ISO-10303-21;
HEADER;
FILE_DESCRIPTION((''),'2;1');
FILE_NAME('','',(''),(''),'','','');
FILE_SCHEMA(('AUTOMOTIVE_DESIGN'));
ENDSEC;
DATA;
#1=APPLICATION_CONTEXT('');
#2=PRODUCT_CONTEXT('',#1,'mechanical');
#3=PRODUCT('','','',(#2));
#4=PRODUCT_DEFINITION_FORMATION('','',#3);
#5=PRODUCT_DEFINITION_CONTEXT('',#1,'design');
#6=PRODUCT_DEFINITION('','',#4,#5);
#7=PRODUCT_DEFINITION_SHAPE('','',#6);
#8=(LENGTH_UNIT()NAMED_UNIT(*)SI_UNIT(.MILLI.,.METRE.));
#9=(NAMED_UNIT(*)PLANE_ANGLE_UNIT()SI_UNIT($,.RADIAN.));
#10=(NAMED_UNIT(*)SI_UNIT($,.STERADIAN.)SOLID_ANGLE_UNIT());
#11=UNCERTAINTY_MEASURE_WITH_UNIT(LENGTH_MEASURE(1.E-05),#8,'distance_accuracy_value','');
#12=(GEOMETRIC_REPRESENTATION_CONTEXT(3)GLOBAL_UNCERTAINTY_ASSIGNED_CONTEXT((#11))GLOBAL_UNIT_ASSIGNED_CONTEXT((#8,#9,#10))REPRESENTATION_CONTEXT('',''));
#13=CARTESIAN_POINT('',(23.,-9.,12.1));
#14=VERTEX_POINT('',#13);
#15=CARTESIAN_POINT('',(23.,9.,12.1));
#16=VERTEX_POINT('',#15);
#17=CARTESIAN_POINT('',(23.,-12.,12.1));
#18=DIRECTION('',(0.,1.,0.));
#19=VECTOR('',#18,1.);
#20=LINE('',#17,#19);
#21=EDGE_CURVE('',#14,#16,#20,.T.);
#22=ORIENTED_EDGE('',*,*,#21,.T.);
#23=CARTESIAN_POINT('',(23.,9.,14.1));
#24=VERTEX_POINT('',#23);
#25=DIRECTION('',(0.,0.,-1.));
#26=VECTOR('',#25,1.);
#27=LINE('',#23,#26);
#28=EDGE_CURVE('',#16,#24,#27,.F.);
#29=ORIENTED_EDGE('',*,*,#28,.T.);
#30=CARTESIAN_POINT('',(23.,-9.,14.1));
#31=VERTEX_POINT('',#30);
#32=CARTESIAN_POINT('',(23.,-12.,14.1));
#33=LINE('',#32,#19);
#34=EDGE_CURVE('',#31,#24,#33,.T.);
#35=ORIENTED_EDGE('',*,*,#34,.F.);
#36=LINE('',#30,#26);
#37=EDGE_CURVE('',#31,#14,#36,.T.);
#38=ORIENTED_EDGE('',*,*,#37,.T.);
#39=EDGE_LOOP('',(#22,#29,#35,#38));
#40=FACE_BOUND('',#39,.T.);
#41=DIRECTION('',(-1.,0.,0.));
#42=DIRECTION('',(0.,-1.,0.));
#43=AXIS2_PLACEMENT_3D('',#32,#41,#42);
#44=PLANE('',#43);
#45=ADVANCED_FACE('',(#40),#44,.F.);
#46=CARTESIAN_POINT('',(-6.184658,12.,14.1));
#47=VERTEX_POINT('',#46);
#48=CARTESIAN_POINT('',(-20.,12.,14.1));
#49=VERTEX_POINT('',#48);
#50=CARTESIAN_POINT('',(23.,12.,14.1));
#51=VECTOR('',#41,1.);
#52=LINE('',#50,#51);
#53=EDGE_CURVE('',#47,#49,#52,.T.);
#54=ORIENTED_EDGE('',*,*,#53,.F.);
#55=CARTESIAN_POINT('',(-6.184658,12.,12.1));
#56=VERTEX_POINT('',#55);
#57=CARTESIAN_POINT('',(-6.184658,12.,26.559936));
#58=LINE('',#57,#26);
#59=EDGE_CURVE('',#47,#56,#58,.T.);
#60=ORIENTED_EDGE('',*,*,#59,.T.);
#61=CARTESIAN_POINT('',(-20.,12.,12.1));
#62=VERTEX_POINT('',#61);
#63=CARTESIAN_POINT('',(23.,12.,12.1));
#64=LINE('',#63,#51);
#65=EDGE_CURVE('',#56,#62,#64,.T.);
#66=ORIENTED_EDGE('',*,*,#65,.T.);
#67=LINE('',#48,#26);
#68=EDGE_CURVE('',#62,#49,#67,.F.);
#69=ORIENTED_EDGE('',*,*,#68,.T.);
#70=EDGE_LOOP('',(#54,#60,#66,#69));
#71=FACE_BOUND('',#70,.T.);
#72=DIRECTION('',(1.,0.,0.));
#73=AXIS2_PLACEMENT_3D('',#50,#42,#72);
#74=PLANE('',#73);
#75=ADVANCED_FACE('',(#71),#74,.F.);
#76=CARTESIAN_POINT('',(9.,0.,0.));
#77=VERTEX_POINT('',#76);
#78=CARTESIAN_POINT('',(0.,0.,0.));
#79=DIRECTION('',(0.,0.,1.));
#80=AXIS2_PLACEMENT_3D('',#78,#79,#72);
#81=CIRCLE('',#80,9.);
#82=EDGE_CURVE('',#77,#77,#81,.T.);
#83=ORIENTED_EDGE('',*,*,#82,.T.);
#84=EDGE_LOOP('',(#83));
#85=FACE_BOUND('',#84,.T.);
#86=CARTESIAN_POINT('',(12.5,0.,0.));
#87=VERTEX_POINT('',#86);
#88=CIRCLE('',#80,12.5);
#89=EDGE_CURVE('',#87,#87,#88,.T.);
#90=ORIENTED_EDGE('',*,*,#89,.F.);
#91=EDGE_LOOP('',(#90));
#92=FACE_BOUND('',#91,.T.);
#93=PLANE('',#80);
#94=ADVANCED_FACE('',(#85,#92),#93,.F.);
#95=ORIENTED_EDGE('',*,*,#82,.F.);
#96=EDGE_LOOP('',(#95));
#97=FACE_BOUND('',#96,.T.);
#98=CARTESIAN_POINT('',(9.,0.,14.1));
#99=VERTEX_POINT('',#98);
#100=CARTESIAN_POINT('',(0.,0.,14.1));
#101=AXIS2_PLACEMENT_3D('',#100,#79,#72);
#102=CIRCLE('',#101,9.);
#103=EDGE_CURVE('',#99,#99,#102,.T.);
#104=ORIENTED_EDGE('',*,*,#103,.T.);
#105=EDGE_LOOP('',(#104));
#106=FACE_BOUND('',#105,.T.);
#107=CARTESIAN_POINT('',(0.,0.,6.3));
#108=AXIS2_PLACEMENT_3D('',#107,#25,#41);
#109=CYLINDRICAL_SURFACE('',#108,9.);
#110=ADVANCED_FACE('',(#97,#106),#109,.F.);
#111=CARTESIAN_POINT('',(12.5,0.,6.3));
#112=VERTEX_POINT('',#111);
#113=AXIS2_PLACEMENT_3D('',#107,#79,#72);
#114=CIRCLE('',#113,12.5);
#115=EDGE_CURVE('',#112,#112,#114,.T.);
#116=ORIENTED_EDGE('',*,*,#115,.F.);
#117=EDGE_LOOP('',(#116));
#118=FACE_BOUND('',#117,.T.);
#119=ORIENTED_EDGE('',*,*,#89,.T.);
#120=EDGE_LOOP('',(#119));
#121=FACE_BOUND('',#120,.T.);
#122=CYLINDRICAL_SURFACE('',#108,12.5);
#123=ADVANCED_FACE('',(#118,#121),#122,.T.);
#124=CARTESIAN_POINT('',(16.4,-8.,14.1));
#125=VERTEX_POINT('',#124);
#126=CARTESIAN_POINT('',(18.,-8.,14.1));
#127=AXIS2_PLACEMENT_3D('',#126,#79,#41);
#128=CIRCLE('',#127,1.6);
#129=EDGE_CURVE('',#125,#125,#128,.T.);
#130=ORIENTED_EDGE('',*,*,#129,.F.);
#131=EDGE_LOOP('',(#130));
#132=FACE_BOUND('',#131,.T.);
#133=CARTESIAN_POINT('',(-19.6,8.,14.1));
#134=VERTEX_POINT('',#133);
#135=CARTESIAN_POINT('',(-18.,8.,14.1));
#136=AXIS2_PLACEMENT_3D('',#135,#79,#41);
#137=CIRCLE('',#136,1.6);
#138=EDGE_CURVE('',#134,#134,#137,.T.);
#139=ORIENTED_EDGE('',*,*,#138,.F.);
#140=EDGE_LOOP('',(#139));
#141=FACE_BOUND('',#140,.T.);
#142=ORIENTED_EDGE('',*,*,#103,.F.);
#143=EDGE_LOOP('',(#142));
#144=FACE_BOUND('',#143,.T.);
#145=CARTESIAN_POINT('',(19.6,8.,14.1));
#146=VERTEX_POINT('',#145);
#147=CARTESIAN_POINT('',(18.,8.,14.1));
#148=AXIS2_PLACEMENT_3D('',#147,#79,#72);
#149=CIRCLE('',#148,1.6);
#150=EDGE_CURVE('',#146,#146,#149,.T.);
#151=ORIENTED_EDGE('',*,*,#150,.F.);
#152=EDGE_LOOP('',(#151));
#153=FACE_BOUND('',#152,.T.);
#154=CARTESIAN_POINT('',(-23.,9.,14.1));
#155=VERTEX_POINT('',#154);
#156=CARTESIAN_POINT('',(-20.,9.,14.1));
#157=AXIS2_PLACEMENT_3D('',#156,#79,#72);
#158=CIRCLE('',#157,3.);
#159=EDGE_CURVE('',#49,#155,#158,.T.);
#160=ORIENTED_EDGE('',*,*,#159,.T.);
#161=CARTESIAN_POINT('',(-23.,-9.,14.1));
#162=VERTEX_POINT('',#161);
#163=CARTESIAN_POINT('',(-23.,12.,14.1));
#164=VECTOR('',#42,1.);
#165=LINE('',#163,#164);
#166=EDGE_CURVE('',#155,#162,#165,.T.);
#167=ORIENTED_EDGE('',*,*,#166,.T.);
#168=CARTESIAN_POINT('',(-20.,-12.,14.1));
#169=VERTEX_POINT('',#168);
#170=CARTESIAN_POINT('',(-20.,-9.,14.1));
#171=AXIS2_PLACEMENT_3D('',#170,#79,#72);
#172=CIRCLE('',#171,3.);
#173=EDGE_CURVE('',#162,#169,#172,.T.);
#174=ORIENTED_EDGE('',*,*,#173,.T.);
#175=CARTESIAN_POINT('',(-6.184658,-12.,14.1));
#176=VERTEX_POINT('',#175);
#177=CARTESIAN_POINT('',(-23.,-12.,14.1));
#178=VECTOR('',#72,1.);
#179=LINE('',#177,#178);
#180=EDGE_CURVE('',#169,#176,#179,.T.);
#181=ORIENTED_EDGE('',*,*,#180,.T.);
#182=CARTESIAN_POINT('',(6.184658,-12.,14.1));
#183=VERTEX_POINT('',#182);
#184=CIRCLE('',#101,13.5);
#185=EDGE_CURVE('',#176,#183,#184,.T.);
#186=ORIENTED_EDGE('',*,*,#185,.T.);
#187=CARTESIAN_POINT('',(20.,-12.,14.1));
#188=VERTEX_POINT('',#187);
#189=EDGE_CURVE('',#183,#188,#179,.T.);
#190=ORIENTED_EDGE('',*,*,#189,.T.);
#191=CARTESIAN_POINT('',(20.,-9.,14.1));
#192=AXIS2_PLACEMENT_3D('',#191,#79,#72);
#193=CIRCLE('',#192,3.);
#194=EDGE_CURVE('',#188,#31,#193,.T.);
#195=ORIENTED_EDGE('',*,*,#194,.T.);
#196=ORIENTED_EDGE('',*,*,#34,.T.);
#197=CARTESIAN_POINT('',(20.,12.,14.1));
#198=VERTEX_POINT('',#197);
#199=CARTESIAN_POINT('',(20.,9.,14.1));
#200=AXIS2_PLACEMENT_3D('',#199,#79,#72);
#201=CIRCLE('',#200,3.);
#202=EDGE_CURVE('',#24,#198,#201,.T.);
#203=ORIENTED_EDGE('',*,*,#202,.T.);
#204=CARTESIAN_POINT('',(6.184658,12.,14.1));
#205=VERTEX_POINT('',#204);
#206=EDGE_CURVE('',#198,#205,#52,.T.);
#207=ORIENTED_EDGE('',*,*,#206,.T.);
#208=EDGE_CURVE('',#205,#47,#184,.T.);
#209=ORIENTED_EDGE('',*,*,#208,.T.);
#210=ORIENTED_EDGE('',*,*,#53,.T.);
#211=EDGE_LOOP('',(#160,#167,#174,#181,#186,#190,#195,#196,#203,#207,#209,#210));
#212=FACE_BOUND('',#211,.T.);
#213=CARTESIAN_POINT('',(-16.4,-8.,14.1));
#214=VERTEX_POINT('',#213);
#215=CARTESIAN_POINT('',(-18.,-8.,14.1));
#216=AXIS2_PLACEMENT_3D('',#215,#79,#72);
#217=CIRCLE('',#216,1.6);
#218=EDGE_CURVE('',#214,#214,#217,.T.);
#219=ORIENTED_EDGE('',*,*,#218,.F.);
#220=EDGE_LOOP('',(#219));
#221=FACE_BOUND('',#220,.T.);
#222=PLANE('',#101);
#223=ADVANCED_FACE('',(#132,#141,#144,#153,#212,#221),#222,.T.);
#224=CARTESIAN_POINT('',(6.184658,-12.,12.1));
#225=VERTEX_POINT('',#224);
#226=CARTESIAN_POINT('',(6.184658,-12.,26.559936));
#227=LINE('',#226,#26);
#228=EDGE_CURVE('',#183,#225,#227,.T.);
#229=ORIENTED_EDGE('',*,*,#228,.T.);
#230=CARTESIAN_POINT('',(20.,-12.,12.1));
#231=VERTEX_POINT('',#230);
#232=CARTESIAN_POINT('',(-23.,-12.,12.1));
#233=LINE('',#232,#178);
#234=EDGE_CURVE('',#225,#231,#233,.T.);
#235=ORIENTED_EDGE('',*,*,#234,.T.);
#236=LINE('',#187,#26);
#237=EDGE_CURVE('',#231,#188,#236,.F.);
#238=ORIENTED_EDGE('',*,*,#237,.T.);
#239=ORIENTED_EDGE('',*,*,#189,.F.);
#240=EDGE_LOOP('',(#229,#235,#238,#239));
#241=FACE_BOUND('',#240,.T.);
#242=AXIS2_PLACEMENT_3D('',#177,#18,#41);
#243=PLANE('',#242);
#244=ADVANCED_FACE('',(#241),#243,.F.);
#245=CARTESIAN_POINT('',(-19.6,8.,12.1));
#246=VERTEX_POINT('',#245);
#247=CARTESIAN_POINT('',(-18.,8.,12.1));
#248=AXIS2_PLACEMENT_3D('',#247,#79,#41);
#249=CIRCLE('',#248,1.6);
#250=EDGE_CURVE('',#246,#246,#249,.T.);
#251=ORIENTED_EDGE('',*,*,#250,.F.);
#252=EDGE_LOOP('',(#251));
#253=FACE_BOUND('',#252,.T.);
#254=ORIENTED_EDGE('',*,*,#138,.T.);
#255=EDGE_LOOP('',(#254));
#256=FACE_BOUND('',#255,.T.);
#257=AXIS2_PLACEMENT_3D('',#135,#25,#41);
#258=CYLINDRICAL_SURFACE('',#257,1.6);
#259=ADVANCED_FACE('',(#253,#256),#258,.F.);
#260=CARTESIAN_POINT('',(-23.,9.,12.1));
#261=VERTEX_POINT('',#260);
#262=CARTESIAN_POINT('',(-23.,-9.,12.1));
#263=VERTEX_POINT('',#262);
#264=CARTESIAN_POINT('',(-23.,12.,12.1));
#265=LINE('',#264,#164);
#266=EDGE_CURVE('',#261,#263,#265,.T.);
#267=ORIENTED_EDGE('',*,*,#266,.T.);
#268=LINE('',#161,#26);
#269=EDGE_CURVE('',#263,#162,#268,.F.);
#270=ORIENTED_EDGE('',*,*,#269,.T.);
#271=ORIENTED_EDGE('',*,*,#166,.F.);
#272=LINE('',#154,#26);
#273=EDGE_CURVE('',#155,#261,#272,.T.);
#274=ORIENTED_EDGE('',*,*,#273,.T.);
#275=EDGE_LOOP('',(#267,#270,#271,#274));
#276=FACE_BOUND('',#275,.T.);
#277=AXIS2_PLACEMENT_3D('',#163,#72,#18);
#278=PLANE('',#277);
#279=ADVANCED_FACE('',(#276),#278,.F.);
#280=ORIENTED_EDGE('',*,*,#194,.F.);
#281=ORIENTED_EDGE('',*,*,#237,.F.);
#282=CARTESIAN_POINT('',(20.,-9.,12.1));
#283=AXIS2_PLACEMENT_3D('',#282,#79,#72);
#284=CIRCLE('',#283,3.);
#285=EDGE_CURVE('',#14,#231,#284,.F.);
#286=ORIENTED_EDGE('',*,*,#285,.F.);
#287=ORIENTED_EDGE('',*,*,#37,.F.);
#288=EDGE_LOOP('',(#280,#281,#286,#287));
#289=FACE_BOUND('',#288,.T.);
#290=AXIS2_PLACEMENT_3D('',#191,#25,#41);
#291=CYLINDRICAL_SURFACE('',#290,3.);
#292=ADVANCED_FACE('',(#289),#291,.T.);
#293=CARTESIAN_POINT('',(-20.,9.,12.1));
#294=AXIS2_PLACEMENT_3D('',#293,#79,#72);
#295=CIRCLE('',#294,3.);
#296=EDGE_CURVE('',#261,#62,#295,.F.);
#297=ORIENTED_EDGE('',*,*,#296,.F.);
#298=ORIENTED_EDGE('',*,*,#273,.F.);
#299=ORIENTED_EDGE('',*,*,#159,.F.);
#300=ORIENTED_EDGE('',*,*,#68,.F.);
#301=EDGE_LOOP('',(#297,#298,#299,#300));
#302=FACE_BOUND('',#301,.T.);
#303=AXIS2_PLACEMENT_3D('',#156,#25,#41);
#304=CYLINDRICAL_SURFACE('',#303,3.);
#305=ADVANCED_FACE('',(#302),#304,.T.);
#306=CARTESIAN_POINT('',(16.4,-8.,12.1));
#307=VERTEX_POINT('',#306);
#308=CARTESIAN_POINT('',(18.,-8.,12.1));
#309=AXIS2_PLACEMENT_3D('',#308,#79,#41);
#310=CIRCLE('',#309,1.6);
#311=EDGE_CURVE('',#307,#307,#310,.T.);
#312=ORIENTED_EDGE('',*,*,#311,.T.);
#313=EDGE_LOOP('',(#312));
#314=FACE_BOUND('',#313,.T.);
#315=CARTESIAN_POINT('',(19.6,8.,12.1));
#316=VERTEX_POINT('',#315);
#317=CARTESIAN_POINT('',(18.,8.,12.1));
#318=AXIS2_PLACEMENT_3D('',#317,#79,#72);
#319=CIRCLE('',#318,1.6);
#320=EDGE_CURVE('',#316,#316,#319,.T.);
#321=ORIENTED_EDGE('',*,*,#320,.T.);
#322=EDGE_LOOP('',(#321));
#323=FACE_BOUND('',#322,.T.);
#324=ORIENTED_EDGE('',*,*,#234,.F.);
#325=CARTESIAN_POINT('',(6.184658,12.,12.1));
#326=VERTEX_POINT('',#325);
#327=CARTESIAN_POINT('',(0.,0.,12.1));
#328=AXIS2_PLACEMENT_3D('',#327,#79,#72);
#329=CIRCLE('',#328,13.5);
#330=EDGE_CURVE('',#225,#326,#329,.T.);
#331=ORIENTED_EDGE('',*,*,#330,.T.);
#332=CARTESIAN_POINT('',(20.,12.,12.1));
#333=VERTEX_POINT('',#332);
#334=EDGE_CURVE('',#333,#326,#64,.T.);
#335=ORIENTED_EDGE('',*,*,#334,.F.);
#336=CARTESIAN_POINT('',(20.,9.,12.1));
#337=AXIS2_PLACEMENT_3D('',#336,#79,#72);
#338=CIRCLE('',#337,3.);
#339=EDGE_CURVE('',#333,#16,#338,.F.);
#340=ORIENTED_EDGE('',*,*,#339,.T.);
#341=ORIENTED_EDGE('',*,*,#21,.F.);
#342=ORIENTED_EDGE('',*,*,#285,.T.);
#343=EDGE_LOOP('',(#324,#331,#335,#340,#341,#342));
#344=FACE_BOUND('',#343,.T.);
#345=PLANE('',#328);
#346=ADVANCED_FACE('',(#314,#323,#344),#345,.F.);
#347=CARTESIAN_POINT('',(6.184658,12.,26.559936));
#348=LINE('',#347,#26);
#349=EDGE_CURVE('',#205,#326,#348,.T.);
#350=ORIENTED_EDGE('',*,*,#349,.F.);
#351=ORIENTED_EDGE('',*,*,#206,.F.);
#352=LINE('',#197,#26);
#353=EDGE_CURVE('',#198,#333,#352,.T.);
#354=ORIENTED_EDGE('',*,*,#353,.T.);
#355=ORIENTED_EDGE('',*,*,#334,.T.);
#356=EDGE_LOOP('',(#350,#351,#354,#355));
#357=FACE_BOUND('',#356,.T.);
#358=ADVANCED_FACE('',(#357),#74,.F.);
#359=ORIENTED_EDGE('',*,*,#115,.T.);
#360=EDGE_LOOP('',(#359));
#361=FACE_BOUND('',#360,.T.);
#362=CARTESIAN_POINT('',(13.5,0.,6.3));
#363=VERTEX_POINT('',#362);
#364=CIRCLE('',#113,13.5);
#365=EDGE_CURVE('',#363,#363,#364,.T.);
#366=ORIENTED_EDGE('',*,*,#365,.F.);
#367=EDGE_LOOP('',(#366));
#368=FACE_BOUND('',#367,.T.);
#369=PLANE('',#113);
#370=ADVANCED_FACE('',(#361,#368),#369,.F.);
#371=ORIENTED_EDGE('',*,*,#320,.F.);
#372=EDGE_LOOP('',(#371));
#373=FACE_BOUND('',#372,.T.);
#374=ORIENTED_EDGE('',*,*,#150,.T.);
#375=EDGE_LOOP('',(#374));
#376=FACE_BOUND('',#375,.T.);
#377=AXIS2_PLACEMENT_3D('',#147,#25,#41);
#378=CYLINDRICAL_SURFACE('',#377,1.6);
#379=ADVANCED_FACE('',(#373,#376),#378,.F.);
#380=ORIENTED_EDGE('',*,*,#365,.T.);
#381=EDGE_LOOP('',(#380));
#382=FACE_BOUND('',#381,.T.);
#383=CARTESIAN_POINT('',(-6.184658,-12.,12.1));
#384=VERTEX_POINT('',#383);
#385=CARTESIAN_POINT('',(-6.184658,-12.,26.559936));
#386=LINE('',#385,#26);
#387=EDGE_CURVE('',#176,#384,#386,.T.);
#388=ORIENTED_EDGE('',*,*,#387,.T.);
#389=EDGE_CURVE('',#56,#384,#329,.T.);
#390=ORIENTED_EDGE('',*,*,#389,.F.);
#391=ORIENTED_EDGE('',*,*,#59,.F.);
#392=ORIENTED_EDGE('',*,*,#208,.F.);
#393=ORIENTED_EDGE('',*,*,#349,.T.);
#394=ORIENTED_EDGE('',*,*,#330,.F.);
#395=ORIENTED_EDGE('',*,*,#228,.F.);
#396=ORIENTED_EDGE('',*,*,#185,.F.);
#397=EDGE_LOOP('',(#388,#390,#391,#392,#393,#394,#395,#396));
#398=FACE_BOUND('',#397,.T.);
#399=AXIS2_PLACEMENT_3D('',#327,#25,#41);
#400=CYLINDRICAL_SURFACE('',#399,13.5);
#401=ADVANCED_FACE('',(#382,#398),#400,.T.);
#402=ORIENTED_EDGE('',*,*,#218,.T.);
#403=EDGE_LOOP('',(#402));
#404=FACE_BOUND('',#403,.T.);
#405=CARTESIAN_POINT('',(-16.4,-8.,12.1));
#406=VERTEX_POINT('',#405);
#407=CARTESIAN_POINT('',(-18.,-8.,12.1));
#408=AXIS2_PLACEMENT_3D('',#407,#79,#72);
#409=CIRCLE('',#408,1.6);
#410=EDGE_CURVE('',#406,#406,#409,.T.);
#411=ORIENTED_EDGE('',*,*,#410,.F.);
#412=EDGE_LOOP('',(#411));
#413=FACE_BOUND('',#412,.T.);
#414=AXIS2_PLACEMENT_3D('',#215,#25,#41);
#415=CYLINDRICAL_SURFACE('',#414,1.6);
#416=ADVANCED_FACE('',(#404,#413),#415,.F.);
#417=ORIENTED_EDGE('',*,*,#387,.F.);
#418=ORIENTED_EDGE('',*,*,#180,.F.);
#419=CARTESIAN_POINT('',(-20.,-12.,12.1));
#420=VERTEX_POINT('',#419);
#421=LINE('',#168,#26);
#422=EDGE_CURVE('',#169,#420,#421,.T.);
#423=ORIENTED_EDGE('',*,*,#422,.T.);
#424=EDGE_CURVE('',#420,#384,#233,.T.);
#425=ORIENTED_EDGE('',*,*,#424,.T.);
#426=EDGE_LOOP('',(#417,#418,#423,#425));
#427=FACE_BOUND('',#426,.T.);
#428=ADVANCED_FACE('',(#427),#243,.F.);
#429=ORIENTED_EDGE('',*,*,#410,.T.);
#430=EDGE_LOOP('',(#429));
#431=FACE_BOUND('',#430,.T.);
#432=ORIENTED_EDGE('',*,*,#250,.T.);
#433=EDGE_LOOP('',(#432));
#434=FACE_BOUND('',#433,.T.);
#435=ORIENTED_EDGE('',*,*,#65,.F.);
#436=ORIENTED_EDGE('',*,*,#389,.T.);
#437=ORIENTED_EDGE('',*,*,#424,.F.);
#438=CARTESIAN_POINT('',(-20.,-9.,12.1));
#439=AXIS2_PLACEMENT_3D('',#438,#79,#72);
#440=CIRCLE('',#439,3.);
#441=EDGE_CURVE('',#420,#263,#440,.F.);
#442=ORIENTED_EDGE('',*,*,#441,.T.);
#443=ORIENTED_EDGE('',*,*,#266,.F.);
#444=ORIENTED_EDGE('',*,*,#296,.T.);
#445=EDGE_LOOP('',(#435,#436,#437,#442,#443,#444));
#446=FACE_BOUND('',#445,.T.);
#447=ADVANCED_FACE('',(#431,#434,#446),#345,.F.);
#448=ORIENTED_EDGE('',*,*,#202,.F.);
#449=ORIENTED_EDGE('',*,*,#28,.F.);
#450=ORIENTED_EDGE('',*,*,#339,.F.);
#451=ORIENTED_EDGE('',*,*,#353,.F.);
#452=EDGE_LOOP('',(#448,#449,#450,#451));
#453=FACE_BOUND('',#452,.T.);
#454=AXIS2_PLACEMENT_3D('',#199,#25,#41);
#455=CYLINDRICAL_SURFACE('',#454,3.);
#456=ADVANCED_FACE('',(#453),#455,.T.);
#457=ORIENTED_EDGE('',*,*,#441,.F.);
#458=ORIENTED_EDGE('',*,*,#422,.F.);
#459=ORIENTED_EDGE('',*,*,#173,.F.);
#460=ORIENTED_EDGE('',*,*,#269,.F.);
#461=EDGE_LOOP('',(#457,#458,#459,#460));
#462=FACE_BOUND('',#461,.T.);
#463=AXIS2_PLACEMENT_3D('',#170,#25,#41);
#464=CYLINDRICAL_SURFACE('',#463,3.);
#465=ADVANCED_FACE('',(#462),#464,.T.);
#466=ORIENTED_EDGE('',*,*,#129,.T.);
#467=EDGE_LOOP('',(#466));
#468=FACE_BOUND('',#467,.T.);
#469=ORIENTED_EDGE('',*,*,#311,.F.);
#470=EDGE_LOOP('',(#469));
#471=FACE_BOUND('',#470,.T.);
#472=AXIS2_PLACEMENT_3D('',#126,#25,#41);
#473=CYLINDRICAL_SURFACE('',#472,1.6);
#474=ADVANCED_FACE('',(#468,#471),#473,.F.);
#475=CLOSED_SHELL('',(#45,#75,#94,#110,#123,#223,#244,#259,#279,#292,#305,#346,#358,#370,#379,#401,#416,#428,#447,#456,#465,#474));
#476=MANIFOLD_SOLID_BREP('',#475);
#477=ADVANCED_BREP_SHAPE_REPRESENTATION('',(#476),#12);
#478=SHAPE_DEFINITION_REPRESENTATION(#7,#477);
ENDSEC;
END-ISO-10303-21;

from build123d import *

# Parameters (mm, degrees)
SKETCH_1_R      = 12.5
SKETCH_1_R_2    = 9
EXTRUDE_1_DEPTH = 6.3
SKETCH_2_R      = 13.5
SKETCH_2_R_2    = 9
EXTRUDE_2_DEPTH = 5.8
SKETCH_3_W      = 46
SKETCH_3_H      = 24
SKETCH_3_R      = 9
SKETCH_3_R_2    = 1.6
EXTRUDE_3_DEPTH = 2
FILLET_1_R      = 3
EXTRUDE_4_DEPTH = 2


with BuildPart() as part:
    # 草图1 → 凸台-拉伸1 (new body)
    with BuildSketch(Plane.XY):
        Circle(SKETCH_1_R)
        Circle(SKETCH_1_R_2, mode=Mode.SUBTRACT)
    extrude(amount=EXTRUDE_1_DEPTH)

    # 草图2 → 凸台-拉伸2 (add)
    with BuildSketch(Plane.XY.offset(6.3)):
        Circle(SKETCH_2_R)
        Circle(SKETCH_2_R_2, mode=Mode.SUBTRACT)
    extrude(amount=EXTRUDE_2_DEPTH)

    # 草图3 → 凸台-拉伸3 (add)
    with BuildSketch(Plane.XY.offset(12.1)):
        Rectangle(SKETCH_3_W, SKETCH_3_H)
        Circle(SKETCH_3_R, mode=Mode.SUBTRACT)
        with Locations((18, 8)):
            Circle(SKETCH_3_R_2, mode=Mode.SUBTRACT)
        with Locations(Location((18, -8, 0), (0, 0, 180))):
            Circle(SKETCH_3_R_2, mode=Mode.SUBTRACT)
        with Locations((-18, -8)):
            Circle(SKETCH_3_R_2, mode=Mode.SUBTRACT)
        with Locations(Location((-18, 8, 0), (0, 0, 180))):
            Circle(SKETCH_3_R_2, mode=Mode.SUBTRACT)
    extrude(amount=EXTRUDE_3_DEPTH)

    # 圆角1
    fillet_1_edges = [part.edges().sort_by_distance(p)[0] for p in [
        (23, 12, 13.1),
        (-23, 12, 13.1),
        (-23, -12, 13.1),
        (23, -12, 13.1),
    ]]
    fillet(fillet_1_edges, radius=FILLET_1_R)

    # 草图4 → 凸台-拉伸4 (add)
    with BuildSketch(Plane.XY.offset(12.1)):
        with BuildLine():
            Line((6.184658438, -12), (-6.184658438, -12))
            ThreePointArc((-6.184658438, -12), (0, -13.5), (6.184658438, -12))
        make_face()
        with BuildLine():
            Line((-6.184658438, 12), (6.184658438, 12))
            ThreePointArc((6.184658438, 12), (0, 13.5), (-6.184658438, 12))
        make_face()
    extrude(amount=EXTRUDE_4_DEPTH)


solid = part.part
